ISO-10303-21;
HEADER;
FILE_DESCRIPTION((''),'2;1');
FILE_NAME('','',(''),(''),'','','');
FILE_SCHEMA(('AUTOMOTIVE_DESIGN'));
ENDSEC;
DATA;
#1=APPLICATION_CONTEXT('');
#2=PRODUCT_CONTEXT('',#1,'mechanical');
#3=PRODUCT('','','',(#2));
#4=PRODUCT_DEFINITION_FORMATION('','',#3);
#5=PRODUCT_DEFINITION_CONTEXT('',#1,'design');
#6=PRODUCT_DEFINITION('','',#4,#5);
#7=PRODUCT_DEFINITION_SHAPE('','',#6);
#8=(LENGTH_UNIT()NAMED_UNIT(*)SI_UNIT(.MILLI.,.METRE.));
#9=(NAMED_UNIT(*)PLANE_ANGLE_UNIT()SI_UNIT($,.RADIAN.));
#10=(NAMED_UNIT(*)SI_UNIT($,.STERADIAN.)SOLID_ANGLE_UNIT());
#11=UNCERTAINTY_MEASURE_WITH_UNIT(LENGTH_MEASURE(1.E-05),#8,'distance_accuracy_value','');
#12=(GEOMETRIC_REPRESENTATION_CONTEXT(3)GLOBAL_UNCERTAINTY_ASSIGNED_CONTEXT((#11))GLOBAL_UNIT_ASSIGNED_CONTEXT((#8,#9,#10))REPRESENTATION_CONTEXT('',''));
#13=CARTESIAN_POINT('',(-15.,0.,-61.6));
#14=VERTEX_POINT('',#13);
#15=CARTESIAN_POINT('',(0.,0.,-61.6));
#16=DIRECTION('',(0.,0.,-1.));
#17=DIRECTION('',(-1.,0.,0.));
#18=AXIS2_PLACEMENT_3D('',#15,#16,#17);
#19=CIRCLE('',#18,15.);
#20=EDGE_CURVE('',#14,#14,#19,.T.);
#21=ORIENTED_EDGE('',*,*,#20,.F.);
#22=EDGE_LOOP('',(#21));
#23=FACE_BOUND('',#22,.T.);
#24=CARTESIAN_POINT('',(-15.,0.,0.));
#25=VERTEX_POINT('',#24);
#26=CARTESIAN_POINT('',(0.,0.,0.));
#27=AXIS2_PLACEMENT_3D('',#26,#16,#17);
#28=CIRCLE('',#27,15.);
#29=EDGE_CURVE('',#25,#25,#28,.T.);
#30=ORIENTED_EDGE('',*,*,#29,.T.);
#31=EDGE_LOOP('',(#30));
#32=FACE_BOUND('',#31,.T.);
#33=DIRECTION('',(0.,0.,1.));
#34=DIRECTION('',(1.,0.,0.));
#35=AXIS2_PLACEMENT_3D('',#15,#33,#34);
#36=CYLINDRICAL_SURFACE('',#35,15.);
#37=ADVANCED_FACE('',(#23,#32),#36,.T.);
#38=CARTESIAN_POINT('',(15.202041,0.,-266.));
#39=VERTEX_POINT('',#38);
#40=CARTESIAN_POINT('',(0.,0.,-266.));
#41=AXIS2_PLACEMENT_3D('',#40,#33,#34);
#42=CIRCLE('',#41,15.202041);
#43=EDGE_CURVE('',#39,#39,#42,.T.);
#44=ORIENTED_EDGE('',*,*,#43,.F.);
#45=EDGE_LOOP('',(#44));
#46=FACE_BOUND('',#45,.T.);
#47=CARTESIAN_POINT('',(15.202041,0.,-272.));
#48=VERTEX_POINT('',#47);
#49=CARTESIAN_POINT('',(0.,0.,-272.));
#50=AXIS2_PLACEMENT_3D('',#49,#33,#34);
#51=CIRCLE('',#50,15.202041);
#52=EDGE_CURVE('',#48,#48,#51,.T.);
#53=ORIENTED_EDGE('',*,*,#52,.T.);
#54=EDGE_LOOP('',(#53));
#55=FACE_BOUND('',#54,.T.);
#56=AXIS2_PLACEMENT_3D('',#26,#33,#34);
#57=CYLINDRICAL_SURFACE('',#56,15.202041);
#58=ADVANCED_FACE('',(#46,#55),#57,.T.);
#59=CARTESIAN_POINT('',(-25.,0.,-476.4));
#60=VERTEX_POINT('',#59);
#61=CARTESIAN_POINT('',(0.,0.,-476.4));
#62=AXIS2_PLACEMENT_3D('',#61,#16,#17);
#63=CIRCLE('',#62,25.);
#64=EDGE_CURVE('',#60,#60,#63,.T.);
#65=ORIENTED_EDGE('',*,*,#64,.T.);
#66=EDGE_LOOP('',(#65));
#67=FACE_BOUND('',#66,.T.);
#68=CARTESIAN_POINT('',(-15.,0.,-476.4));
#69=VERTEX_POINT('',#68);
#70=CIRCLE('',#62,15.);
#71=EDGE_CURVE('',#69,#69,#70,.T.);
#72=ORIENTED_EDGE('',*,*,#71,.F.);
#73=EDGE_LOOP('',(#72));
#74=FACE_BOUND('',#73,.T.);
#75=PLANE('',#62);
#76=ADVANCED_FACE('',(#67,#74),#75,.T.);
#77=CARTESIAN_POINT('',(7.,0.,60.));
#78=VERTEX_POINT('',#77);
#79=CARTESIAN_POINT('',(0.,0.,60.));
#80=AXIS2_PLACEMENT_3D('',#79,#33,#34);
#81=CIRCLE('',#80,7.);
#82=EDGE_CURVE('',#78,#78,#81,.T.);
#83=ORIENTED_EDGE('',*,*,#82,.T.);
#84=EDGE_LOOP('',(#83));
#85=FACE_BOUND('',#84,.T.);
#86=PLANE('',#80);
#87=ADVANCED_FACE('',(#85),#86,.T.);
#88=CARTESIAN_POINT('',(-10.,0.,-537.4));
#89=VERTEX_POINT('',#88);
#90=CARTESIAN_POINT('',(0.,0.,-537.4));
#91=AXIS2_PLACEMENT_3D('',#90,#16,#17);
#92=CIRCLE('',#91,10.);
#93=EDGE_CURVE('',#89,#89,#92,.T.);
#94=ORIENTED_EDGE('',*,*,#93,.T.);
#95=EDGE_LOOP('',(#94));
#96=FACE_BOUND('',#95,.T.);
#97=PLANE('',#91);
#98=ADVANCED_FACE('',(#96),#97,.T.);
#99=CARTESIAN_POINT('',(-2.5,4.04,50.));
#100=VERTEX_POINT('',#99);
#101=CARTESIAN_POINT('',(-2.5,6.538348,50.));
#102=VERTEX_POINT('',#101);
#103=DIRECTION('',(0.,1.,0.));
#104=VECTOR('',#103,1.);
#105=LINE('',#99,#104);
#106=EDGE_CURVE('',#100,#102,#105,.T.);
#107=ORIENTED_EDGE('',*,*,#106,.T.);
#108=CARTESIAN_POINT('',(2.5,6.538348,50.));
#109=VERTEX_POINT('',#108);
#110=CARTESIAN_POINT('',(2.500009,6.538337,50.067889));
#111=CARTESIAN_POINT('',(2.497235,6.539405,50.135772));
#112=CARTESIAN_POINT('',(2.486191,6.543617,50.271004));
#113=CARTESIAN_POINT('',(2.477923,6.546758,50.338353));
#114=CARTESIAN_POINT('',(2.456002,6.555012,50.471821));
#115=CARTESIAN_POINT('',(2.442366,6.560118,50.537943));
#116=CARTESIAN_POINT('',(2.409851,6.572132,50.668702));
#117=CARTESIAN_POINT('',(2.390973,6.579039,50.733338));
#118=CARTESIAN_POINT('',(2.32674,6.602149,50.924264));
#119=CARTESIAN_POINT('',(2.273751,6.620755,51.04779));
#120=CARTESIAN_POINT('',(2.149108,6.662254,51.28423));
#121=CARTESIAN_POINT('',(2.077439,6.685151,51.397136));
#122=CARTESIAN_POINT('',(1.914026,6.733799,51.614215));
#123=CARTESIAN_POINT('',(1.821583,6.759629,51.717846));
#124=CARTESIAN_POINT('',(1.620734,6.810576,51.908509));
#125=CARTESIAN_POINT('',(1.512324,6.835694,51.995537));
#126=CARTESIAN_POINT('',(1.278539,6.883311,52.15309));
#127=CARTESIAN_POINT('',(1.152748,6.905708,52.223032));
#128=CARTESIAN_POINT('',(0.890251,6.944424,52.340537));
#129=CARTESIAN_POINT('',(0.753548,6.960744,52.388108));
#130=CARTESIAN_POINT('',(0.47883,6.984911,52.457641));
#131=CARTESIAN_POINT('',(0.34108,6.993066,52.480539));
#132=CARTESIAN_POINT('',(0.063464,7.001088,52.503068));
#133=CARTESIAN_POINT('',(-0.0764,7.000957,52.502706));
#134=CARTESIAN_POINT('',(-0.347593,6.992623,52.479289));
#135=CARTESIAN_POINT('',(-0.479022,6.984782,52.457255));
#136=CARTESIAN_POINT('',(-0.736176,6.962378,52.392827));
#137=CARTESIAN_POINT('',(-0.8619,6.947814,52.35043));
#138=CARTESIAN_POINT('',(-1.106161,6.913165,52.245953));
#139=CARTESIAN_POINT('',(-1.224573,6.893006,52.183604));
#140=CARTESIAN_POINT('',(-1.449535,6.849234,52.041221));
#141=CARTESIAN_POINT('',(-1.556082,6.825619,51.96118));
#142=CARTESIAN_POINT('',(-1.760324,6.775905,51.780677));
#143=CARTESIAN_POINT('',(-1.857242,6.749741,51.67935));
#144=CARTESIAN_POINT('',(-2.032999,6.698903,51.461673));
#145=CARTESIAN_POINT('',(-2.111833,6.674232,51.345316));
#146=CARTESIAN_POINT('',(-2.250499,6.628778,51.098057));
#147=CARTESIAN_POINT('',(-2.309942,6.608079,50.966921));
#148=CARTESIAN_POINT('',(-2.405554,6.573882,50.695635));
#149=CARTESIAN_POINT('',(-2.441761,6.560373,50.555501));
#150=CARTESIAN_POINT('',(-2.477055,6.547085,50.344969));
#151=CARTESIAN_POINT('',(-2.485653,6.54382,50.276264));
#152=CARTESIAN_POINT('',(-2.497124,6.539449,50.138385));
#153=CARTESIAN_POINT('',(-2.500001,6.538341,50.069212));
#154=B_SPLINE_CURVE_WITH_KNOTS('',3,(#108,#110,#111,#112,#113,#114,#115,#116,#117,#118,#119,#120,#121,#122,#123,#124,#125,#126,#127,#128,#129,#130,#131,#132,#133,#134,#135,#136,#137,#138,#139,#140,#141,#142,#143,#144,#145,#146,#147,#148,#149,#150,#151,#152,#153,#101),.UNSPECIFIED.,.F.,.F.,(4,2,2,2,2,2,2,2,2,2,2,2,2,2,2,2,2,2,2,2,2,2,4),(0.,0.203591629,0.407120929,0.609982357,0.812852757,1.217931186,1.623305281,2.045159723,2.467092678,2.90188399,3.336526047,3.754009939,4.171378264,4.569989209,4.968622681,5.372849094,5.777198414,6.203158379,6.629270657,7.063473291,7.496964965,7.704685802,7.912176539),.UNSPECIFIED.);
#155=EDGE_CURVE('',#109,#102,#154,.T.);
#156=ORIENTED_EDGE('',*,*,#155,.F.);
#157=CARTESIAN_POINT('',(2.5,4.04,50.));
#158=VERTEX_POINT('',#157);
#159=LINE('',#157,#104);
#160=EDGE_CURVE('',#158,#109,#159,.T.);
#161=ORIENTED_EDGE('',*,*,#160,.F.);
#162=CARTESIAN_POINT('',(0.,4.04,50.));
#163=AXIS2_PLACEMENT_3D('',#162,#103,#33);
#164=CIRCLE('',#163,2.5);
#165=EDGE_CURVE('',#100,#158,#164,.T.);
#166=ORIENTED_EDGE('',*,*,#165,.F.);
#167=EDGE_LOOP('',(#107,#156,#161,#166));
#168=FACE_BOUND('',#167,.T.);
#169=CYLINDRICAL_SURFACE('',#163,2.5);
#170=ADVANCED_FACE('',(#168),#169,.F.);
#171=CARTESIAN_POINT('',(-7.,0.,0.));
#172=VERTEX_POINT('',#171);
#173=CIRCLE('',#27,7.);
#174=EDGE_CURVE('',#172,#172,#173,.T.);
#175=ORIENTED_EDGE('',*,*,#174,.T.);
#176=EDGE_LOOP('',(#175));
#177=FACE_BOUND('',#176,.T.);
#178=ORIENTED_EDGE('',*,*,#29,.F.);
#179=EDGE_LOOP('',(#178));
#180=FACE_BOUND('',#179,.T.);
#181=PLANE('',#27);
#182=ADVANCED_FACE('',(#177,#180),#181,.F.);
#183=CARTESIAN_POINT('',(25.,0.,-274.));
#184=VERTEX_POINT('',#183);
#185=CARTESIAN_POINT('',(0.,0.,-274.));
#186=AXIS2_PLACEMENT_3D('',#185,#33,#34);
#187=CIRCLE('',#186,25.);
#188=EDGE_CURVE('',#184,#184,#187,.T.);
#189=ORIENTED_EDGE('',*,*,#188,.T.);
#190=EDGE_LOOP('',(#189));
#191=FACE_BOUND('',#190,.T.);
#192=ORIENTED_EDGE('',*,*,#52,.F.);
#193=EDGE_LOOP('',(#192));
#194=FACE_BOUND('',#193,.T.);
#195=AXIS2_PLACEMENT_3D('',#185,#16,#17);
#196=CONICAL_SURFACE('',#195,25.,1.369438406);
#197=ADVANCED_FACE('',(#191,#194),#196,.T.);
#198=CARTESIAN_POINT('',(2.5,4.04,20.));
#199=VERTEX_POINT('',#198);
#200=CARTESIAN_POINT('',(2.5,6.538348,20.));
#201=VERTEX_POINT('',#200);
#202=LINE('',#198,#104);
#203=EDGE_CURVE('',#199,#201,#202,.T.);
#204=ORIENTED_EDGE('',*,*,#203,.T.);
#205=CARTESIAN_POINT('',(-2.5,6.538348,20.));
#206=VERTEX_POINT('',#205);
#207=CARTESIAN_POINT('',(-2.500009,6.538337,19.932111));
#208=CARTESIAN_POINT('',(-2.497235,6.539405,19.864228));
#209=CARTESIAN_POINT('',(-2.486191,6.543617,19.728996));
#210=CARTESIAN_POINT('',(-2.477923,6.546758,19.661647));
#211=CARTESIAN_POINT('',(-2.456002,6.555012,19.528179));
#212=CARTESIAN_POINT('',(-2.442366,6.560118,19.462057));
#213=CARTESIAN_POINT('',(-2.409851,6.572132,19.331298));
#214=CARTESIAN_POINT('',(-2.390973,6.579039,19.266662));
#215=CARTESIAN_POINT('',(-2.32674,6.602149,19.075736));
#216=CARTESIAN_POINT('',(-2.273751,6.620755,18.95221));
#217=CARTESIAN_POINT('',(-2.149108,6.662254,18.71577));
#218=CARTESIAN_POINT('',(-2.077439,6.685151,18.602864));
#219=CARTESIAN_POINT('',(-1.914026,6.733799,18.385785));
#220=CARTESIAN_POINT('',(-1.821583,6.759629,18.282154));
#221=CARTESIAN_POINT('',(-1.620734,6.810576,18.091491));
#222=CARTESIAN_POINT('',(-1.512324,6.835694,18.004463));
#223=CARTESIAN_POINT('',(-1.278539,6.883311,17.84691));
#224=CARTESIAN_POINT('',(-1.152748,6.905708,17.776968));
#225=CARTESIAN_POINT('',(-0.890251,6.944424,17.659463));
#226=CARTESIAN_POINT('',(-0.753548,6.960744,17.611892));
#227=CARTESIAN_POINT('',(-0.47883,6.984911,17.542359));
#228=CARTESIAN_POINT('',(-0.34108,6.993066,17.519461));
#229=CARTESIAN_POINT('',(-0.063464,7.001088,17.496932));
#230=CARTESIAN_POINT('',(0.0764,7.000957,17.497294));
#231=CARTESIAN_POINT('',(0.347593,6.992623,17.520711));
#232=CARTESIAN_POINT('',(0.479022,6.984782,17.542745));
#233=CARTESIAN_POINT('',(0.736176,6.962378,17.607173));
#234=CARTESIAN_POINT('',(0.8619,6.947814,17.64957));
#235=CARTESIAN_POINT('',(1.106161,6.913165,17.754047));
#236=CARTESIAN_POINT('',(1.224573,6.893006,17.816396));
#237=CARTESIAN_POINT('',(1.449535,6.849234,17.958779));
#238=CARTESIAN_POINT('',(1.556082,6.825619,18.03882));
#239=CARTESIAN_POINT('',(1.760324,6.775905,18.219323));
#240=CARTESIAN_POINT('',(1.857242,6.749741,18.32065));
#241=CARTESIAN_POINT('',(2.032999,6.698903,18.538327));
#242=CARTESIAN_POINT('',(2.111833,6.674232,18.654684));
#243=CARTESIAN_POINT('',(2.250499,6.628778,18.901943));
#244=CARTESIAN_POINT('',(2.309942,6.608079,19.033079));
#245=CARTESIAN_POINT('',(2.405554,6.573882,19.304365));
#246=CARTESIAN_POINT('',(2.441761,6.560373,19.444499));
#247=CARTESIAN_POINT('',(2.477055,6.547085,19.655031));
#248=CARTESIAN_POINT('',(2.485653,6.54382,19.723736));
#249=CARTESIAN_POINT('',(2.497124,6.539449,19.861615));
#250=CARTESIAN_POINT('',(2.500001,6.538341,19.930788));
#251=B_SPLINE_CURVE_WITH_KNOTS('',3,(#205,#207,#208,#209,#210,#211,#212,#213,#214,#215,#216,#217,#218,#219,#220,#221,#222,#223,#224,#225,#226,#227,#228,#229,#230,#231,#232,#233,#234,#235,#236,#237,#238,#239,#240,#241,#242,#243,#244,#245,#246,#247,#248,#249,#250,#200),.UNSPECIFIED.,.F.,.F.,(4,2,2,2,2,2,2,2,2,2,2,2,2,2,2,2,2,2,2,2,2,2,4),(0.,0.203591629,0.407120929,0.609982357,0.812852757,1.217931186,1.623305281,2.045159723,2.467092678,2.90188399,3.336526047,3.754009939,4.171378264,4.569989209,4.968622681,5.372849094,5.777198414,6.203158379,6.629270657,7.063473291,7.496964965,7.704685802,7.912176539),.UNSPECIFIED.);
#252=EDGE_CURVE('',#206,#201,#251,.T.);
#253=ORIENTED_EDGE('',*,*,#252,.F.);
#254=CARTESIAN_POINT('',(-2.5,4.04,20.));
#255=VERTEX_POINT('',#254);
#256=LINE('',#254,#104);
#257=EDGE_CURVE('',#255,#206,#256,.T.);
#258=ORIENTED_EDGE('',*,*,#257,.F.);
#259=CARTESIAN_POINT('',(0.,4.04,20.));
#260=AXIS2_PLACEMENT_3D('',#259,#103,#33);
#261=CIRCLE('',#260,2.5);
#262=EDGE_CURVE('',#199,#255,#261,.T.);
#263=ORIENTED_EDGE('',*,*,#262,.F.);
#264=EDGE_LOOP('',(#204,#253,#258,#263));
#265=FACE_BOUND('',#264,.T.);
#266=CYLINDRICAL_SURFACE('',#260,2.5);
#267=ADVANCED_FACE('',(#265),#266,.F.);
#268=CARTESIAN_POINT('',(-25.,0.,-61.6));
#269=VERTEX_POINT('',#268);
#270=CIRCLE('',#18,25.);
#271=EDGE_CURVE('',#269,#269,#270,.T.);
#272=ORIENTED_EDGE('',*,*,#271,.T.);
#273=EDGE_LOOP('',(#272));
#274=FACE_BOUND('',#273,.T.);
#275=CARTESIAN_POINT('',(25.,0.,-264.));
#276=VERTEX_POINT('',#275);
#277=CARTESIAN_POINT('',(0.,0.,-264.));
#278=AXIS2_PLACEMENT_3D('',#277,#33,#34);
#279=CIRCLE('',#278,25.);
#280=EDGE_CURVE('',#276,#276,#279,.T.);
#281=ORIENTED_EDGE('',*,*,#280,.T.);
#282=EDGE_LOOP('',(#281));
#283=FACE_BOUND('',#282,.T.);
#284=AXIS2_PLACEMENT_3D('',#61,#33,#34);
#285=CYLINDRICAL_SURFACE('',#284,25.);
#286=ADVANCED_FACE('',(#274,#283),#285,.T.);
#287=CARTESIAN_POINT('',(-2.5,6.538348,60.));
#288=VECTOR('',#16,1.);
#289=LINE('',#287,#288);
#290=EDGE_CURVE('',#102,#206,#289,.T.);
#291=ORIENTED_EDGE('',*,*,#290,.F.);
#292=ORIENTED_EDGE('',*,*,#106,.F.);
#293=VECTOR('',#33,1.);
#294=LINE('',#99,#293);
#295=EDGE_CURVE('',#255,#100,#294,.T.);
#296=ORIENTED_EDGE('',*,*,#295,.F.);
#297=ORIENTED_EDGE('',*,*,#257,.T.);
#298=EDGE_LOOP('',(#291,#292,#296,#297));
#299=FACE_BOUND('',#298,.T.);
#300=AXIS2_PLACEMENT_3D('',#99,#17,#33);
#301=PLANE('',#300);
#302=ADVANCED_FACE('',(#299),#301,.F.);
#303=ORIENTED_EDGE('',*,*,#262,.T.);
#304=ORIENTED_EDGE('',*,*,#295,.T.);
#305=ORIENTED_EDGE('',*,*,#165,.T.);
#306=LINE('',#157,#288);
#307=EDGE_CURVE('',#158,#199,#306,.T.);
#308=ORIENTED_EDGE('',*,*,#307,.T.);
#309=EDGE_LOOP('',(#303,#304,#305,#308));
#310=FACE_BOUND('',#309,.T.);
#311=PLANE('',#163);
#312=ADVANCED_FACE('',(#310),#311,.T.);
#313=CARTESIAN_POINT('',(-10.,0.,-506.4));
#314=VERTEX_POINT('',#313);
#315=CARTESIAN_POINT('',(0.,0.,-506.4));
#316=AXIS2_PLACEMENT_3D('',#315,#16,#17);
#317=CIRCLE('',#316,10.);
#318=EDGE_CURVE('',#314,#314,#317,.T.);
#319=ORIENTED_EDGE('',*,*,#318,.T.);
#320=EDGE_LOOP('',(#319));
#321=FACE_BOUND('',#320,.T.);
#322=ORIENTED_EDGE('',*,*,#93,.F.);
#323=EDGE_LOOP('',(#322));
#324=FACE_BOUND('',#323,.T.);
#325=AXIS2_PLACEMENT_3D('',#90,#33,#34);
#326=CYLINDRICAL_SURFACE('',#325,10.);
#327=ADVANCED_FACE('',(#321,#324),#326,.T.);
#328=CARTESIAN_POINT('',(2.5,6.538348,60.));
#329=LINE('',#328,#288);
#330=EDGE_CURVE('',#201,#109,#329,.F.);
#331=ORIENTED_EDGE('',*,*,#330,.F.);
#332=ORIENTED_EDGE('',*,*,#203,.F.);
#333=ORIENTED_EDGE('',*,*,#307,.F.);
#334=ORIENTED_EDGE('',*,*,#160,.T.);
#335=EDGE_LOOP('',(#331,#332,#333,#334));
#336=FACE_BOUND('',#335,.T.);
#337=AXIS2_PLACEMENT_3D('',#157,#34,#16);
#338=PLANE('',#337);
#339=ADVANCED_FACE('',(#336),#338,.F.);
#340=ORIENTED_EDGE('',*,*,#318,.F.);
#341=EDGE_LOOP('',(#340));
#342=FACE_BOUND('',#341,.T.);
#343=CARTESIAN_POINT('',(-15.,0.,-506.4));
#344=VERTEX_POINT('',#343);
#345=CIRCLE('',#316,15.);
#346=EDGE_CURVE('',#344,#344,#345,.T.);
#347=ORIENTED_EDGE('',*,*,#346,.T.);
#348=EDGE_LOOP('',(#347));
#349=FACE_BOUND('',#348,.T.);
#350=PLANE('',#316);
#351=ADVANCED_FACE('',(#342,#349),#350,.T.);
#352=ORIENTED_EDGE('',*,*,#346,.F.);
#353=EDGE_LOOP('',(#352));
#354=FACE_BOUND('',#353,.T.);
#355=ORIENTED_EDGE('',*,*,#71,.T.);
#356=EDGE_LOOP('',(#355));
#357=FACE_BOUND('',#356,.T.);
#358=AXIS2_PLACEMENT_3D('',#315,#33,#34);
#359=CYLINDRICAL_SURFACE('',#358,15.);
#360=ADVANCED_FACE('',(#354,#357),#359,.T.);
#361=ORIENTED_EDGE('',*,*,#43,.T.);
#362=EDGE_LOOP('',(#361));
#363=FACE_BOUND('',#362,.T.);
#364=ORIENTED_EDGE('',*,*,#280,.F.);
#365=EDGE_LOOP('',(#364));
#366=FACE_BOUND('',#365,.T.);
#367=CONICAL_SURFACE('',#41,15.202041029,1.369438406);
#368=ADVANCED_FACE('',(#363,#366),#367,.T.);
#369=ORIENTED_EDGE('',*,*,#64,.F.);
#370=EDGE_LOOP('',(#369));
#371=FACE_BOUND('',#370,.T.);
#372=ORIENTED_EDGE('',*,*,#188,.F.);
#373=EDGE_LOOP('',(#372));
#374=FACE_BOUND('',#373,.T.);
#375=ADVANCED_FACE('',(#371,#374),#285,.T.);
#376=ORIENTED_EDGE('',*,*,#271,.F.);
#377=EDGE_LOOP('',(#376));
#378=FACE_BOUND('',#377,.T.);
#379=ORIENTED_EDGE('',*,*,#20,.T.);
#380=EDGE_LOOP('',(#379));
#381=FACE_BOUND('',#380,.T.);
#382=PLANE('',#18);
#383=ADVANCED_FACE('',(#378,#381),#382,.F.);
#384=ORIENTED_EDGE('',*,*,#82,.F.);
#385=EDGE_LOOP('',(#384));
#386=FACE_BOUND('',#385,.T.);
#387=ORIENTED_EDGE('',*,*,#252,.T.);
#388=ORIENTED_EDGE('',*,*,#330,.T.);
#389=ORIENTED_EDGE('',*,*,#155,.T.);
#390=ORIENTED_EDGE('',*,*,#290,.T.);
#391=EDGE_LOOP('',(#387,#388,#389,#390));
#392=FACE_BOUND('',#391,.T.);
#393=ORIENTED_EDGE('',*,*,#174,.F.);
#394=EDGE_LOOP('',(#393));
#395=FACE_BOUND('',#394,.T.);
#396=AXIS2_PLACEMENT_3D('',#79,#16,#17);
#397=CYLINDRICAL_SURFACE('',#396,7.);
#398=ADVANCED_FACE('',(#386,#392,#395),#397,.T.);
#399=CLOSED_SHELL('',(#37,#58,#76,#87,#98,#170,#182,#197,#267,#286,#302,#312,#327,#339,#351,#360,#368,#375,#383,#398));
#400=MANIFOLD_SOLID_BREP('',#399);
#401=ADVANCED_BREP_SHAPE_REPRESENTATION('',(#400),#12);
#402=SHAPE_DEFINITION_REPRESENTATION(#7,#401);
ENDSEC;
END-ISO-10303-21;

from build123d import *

# Parameters (mm, degrees)
ESQUISSE1_R             = 7
BOSS_EXTRU_1_DEPTH      = 60
ESQUISSE2_R             = 15
BOSS_EXTRU_2_DEPTH      = 61.6
ESQUISSE3_R             = 25
BOSS_EXTRU_3_DEPTH      = 414.8
ESQUISSE4_R             = 15
BOSS_EXTRU_4_DEPTH      = 30
ESQUISSE5_R             = 10
BOSS_EXTRU_5_DEPTH      = 31
ENL_V_MAT_EXTRU_1_DEPTH = 2.96


with BuildPart() as part:
    # Esquisse1 → Boss.-Extru.1 (new body)
    with BuildSketch(Plane.XY):
        Circle(ESQUISSE1_R)
    extrude(amount=BOSS_EXTRU_1_DEPTH)

    # Esquisse2 → Boss.-Extru.2 (add)
    with BuildSketch(Plane(origin=(0, 0, 0), x_dir=(-1, 0, 0), z_dir=(0, 0, -1))):
        Circle(ESQUISSE2_R)
    extrude(amount=BOSS_EXTRU_2_DEPTH)

    # Esquisse3 → Boss.-Extru.3 (add)
    with BuildSketch(Plane(origin=(0, 0, -61.6), x_dir=(-1, 0, 0), z_dir=(0, 0, -1))):
        Circle(ESQUISSE3_R)
    extrude(amount=BOSS_EXTRU_3_DEPTH)

    # Esquisse4 → Boss.-Extru.4 (add)
    with BuildSketch(Plane(origin=(0, 0, -476.4), x_dir=(-1, 0, 0), z_dir=(0, 0, -1))):
        Circle(ESQUISSE4_R)
    extrude(amount=BOSS_EXTRU_4_DEPTH)

    # Esquisse5 → Boss.-Extru.5 (add)
    with BuildSketch(Plane(origin=(0, 0, -506.4), x_dir=(-1, 0, 0), z_dir=(0, 0, -1))):
        Circle(ESQUISSE5_R)
    extrude(amount=BOSS_EXTRU_5_DEPTH)

    # Esquisse7 → Enlèv. mat.-Extru.1 (cut)
    with BuildSketch(Plane(origin=(0, 7, 0), x_dir=(1, 0, 0), z_dir=(0, 1, 0))):
        with BuildLine():
            Line((-2.5, -50), (-2.5, -20))
            ThreePointArc((-2.5, -20), (0, -17.5), (2.5, -20))
            Line((2.5, -20), (2.5, -50))
            ThreePointArc((2.5, -50), (0, -52.5), (-2.5, -50))
        make_face()
    extrude(amount=-ENL_V_MAT_EXTRU_1_DEPTH, mode=Mode.SUBTRACT)

    # Esquisse8 → Enlèvement de matière-Révolution1 (revolve, cut)
    with BuildSketch(Plane(origin=(0, 0, 0), x_dir=(0, 0, -1), z_dir=(1, 0, 0)), mode=Mode.PRIVATE) as enl_vement_de_mati_re_r_volution1_sk:
        Polygon((266, 15.202041029), (264, 25), (274, 25), (272, 15.202041029), align=None)
    revolve(enl_vement_de_mati_re_r_volution1_sk.sketch.rotate(Axis((0, 0, 0), (0, 0, -1)), 90), axis=Axis((0, 0, 0), (0, 0, -1)), mode=Mode.SUBTRACT)  # turned: the seam where the file's is


solid = part.part
